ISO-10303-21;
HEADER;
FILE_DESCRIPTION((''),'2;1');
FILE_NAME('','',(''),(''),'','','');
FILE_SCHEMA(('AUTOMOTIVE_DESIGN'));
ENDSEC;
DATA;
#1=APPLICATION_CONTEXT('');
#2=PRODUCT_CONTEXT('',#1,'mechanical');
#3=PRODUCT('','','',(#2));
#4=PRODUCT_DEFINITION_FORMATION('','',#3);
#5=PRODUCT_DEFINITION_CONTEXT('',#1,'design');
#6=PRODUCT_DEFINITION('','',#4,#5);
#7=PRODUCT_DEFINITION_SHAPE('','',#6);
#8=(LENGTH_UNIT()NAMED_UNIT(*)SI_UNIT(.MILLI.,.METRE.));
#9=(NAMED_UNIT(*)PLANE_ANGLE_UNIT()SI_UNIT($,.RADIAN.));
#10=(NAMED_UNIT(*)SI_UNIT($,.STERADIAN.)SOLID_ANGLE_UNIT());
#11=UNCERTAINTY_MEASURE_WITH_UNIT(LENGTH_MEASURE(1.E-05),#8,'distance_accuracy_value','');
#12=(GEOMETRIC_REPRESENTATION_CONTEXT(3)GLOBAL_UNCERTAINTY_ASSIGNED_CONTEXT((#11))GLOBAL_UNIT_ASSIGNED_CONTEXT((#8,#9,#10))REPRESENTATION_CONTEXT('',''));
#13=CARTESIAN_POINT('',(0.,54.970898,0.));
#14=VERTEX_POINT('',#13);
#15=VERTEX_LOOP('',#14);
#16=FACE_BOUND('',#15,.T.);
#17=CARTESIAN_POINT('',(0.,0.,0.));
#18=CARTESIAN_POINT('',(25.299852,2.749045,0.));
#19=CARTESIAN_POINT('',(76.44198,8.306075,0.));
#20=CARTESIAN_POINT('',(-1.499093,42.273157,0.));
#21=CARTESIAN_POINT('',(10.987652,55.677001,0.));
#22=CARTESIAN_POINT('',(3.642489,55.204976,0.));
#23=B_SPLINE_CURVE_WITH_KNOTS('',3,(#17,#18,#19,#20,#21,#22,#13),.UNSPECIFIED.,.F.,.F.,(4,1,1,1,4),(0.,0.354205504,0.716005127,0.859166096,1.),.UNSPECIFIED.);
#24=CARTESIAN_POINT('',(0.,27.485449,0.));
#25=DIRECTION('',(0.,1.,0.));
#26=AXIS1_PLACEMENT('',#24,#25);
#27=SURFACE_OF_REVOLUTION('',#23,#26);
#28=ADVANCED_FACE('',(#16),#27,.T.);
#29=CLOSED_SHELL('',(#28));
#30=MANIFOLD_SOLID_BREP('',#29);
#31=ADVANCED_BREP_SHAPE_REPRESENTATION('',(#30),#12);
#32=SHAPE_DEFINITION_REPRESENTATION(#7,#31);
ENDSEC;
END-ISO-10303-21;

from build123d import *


with BuildPart() as f1:
    # F0 (on Top) → F1 (revolve)
    with BuildSketch(Plane.XY):
        with BuildLine():
            Line((0, 54.9708977342), (0, 0))
            add(Edge.make_bspline(
                [(0, 0), (25.2998516809, 2.7490452546), (76.4419804746, 8.3060749259), (-1.4990934278, 42.2731569207), (10.9876521767, 55.677000632), (3.6424885455, 55.2049761047), (0, 54.9708977342)],
                knots=[0, 0, 0, 0, 0.3542055043, 0.7160051271, 0.8591660957, 1, 1, 1, 1], degree=3))
        make_face()
    revolve(axis=Axis((0, 27.4854488671, 0), (0, 1, 0)))


solid = f1.part
